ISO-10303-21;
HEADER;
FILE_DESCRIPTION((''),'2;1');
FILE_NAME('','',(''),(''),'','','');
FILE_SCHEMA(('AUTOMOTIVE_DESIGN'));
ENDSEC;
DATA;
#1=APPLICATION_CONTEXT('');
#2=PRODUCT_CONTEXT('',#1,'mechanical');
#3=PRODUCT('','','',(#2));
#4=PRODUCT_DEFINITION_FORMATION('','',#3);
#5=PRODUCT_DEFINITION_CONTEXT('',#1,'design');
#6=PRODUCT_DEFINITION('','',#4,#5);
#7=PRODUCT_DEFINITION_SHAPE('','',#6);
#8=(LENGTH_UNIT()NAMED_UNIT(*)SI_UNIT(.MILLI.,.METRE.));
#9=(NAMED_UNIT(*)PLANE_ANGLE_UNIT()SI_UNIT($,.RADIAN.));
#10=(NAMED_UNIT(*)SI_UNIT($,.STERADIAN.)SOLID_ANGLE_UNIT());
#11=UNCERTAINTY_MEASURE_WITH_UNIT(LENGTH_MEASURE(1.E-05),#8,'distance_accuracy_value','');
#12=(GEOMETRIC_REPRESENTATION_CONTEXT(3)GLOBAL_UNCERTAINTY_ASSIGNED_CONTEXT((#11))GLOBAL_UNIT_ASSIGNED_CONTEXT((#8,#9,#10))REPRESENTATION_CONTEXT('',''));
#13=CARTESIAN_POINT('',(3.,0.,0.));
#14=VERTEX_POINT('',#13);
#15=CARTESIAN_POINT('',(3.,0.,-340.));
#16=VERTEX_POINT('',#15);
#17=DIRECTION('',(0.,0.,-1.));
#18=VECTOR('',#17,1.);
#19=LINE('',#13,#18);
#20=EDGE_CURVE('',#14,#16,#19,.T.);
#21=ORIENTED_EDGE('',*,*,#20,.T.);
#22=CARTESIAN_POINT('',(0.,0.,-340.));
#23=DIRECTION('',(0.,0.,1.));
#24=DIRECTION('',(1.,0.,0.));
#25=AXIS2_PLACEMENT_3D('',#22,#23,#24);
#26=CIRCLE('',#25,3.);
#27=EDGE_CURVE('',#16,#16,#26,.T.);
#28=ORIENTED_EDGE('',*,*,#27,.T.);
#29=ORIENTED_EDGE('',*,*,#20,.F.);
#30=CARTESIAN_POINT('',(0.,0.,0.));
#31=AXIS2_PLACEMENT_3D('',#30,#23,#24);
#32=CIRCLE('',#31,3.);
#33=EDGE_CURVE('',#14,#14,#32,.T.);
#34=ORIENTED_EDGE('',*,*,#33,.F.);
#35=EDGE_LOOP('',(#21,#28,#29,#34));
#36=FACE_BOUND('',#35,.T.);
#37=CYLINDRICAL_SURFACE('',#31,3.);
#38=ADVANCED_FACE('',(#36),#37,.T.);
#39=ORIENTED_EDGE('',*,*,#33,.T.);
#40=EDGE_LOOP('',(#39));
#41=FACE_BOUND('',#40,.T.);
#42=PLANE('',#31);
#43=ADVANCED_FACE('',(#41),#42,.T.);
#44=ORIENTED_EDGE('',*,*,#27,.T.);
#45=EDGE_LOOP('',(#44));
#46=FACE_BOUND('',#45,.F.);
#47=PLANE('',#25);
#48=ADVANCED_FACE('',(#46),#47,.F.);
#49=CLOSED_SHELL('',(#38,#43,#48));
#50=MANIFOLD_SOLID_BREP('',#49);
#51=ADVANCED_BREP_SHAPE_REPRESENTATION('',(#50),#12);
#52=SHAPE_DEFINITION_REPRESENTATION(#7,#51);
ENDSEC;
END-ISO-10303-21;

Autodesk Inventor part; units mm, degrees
ref_plane "YZ Plane" through (0, 0, 0) normal (1, 0, 0) x (0, 1, 0)
ref_plane "XZ Plane" through (0, 0, 0) normal (0, 1, 0) x (-1, 0, 0)
ref_plane "XY Plane" through (0, 0, 0) normal (0, 0, 1) x (1, 0, 0)
sketch "Sketch1" plane through (0, 0, 0) normal (0, 0, 1) x (1, 0, 0)
  circle A0 centre (0, 0) radius 3
  dimension "d0" = 6
extrude "Extrusion1" add sketch "Sketch1" against normal blind 340
properties part number "6mm Smooth Rod 385mm" material "Steel, High Strength, Low Alloy"
